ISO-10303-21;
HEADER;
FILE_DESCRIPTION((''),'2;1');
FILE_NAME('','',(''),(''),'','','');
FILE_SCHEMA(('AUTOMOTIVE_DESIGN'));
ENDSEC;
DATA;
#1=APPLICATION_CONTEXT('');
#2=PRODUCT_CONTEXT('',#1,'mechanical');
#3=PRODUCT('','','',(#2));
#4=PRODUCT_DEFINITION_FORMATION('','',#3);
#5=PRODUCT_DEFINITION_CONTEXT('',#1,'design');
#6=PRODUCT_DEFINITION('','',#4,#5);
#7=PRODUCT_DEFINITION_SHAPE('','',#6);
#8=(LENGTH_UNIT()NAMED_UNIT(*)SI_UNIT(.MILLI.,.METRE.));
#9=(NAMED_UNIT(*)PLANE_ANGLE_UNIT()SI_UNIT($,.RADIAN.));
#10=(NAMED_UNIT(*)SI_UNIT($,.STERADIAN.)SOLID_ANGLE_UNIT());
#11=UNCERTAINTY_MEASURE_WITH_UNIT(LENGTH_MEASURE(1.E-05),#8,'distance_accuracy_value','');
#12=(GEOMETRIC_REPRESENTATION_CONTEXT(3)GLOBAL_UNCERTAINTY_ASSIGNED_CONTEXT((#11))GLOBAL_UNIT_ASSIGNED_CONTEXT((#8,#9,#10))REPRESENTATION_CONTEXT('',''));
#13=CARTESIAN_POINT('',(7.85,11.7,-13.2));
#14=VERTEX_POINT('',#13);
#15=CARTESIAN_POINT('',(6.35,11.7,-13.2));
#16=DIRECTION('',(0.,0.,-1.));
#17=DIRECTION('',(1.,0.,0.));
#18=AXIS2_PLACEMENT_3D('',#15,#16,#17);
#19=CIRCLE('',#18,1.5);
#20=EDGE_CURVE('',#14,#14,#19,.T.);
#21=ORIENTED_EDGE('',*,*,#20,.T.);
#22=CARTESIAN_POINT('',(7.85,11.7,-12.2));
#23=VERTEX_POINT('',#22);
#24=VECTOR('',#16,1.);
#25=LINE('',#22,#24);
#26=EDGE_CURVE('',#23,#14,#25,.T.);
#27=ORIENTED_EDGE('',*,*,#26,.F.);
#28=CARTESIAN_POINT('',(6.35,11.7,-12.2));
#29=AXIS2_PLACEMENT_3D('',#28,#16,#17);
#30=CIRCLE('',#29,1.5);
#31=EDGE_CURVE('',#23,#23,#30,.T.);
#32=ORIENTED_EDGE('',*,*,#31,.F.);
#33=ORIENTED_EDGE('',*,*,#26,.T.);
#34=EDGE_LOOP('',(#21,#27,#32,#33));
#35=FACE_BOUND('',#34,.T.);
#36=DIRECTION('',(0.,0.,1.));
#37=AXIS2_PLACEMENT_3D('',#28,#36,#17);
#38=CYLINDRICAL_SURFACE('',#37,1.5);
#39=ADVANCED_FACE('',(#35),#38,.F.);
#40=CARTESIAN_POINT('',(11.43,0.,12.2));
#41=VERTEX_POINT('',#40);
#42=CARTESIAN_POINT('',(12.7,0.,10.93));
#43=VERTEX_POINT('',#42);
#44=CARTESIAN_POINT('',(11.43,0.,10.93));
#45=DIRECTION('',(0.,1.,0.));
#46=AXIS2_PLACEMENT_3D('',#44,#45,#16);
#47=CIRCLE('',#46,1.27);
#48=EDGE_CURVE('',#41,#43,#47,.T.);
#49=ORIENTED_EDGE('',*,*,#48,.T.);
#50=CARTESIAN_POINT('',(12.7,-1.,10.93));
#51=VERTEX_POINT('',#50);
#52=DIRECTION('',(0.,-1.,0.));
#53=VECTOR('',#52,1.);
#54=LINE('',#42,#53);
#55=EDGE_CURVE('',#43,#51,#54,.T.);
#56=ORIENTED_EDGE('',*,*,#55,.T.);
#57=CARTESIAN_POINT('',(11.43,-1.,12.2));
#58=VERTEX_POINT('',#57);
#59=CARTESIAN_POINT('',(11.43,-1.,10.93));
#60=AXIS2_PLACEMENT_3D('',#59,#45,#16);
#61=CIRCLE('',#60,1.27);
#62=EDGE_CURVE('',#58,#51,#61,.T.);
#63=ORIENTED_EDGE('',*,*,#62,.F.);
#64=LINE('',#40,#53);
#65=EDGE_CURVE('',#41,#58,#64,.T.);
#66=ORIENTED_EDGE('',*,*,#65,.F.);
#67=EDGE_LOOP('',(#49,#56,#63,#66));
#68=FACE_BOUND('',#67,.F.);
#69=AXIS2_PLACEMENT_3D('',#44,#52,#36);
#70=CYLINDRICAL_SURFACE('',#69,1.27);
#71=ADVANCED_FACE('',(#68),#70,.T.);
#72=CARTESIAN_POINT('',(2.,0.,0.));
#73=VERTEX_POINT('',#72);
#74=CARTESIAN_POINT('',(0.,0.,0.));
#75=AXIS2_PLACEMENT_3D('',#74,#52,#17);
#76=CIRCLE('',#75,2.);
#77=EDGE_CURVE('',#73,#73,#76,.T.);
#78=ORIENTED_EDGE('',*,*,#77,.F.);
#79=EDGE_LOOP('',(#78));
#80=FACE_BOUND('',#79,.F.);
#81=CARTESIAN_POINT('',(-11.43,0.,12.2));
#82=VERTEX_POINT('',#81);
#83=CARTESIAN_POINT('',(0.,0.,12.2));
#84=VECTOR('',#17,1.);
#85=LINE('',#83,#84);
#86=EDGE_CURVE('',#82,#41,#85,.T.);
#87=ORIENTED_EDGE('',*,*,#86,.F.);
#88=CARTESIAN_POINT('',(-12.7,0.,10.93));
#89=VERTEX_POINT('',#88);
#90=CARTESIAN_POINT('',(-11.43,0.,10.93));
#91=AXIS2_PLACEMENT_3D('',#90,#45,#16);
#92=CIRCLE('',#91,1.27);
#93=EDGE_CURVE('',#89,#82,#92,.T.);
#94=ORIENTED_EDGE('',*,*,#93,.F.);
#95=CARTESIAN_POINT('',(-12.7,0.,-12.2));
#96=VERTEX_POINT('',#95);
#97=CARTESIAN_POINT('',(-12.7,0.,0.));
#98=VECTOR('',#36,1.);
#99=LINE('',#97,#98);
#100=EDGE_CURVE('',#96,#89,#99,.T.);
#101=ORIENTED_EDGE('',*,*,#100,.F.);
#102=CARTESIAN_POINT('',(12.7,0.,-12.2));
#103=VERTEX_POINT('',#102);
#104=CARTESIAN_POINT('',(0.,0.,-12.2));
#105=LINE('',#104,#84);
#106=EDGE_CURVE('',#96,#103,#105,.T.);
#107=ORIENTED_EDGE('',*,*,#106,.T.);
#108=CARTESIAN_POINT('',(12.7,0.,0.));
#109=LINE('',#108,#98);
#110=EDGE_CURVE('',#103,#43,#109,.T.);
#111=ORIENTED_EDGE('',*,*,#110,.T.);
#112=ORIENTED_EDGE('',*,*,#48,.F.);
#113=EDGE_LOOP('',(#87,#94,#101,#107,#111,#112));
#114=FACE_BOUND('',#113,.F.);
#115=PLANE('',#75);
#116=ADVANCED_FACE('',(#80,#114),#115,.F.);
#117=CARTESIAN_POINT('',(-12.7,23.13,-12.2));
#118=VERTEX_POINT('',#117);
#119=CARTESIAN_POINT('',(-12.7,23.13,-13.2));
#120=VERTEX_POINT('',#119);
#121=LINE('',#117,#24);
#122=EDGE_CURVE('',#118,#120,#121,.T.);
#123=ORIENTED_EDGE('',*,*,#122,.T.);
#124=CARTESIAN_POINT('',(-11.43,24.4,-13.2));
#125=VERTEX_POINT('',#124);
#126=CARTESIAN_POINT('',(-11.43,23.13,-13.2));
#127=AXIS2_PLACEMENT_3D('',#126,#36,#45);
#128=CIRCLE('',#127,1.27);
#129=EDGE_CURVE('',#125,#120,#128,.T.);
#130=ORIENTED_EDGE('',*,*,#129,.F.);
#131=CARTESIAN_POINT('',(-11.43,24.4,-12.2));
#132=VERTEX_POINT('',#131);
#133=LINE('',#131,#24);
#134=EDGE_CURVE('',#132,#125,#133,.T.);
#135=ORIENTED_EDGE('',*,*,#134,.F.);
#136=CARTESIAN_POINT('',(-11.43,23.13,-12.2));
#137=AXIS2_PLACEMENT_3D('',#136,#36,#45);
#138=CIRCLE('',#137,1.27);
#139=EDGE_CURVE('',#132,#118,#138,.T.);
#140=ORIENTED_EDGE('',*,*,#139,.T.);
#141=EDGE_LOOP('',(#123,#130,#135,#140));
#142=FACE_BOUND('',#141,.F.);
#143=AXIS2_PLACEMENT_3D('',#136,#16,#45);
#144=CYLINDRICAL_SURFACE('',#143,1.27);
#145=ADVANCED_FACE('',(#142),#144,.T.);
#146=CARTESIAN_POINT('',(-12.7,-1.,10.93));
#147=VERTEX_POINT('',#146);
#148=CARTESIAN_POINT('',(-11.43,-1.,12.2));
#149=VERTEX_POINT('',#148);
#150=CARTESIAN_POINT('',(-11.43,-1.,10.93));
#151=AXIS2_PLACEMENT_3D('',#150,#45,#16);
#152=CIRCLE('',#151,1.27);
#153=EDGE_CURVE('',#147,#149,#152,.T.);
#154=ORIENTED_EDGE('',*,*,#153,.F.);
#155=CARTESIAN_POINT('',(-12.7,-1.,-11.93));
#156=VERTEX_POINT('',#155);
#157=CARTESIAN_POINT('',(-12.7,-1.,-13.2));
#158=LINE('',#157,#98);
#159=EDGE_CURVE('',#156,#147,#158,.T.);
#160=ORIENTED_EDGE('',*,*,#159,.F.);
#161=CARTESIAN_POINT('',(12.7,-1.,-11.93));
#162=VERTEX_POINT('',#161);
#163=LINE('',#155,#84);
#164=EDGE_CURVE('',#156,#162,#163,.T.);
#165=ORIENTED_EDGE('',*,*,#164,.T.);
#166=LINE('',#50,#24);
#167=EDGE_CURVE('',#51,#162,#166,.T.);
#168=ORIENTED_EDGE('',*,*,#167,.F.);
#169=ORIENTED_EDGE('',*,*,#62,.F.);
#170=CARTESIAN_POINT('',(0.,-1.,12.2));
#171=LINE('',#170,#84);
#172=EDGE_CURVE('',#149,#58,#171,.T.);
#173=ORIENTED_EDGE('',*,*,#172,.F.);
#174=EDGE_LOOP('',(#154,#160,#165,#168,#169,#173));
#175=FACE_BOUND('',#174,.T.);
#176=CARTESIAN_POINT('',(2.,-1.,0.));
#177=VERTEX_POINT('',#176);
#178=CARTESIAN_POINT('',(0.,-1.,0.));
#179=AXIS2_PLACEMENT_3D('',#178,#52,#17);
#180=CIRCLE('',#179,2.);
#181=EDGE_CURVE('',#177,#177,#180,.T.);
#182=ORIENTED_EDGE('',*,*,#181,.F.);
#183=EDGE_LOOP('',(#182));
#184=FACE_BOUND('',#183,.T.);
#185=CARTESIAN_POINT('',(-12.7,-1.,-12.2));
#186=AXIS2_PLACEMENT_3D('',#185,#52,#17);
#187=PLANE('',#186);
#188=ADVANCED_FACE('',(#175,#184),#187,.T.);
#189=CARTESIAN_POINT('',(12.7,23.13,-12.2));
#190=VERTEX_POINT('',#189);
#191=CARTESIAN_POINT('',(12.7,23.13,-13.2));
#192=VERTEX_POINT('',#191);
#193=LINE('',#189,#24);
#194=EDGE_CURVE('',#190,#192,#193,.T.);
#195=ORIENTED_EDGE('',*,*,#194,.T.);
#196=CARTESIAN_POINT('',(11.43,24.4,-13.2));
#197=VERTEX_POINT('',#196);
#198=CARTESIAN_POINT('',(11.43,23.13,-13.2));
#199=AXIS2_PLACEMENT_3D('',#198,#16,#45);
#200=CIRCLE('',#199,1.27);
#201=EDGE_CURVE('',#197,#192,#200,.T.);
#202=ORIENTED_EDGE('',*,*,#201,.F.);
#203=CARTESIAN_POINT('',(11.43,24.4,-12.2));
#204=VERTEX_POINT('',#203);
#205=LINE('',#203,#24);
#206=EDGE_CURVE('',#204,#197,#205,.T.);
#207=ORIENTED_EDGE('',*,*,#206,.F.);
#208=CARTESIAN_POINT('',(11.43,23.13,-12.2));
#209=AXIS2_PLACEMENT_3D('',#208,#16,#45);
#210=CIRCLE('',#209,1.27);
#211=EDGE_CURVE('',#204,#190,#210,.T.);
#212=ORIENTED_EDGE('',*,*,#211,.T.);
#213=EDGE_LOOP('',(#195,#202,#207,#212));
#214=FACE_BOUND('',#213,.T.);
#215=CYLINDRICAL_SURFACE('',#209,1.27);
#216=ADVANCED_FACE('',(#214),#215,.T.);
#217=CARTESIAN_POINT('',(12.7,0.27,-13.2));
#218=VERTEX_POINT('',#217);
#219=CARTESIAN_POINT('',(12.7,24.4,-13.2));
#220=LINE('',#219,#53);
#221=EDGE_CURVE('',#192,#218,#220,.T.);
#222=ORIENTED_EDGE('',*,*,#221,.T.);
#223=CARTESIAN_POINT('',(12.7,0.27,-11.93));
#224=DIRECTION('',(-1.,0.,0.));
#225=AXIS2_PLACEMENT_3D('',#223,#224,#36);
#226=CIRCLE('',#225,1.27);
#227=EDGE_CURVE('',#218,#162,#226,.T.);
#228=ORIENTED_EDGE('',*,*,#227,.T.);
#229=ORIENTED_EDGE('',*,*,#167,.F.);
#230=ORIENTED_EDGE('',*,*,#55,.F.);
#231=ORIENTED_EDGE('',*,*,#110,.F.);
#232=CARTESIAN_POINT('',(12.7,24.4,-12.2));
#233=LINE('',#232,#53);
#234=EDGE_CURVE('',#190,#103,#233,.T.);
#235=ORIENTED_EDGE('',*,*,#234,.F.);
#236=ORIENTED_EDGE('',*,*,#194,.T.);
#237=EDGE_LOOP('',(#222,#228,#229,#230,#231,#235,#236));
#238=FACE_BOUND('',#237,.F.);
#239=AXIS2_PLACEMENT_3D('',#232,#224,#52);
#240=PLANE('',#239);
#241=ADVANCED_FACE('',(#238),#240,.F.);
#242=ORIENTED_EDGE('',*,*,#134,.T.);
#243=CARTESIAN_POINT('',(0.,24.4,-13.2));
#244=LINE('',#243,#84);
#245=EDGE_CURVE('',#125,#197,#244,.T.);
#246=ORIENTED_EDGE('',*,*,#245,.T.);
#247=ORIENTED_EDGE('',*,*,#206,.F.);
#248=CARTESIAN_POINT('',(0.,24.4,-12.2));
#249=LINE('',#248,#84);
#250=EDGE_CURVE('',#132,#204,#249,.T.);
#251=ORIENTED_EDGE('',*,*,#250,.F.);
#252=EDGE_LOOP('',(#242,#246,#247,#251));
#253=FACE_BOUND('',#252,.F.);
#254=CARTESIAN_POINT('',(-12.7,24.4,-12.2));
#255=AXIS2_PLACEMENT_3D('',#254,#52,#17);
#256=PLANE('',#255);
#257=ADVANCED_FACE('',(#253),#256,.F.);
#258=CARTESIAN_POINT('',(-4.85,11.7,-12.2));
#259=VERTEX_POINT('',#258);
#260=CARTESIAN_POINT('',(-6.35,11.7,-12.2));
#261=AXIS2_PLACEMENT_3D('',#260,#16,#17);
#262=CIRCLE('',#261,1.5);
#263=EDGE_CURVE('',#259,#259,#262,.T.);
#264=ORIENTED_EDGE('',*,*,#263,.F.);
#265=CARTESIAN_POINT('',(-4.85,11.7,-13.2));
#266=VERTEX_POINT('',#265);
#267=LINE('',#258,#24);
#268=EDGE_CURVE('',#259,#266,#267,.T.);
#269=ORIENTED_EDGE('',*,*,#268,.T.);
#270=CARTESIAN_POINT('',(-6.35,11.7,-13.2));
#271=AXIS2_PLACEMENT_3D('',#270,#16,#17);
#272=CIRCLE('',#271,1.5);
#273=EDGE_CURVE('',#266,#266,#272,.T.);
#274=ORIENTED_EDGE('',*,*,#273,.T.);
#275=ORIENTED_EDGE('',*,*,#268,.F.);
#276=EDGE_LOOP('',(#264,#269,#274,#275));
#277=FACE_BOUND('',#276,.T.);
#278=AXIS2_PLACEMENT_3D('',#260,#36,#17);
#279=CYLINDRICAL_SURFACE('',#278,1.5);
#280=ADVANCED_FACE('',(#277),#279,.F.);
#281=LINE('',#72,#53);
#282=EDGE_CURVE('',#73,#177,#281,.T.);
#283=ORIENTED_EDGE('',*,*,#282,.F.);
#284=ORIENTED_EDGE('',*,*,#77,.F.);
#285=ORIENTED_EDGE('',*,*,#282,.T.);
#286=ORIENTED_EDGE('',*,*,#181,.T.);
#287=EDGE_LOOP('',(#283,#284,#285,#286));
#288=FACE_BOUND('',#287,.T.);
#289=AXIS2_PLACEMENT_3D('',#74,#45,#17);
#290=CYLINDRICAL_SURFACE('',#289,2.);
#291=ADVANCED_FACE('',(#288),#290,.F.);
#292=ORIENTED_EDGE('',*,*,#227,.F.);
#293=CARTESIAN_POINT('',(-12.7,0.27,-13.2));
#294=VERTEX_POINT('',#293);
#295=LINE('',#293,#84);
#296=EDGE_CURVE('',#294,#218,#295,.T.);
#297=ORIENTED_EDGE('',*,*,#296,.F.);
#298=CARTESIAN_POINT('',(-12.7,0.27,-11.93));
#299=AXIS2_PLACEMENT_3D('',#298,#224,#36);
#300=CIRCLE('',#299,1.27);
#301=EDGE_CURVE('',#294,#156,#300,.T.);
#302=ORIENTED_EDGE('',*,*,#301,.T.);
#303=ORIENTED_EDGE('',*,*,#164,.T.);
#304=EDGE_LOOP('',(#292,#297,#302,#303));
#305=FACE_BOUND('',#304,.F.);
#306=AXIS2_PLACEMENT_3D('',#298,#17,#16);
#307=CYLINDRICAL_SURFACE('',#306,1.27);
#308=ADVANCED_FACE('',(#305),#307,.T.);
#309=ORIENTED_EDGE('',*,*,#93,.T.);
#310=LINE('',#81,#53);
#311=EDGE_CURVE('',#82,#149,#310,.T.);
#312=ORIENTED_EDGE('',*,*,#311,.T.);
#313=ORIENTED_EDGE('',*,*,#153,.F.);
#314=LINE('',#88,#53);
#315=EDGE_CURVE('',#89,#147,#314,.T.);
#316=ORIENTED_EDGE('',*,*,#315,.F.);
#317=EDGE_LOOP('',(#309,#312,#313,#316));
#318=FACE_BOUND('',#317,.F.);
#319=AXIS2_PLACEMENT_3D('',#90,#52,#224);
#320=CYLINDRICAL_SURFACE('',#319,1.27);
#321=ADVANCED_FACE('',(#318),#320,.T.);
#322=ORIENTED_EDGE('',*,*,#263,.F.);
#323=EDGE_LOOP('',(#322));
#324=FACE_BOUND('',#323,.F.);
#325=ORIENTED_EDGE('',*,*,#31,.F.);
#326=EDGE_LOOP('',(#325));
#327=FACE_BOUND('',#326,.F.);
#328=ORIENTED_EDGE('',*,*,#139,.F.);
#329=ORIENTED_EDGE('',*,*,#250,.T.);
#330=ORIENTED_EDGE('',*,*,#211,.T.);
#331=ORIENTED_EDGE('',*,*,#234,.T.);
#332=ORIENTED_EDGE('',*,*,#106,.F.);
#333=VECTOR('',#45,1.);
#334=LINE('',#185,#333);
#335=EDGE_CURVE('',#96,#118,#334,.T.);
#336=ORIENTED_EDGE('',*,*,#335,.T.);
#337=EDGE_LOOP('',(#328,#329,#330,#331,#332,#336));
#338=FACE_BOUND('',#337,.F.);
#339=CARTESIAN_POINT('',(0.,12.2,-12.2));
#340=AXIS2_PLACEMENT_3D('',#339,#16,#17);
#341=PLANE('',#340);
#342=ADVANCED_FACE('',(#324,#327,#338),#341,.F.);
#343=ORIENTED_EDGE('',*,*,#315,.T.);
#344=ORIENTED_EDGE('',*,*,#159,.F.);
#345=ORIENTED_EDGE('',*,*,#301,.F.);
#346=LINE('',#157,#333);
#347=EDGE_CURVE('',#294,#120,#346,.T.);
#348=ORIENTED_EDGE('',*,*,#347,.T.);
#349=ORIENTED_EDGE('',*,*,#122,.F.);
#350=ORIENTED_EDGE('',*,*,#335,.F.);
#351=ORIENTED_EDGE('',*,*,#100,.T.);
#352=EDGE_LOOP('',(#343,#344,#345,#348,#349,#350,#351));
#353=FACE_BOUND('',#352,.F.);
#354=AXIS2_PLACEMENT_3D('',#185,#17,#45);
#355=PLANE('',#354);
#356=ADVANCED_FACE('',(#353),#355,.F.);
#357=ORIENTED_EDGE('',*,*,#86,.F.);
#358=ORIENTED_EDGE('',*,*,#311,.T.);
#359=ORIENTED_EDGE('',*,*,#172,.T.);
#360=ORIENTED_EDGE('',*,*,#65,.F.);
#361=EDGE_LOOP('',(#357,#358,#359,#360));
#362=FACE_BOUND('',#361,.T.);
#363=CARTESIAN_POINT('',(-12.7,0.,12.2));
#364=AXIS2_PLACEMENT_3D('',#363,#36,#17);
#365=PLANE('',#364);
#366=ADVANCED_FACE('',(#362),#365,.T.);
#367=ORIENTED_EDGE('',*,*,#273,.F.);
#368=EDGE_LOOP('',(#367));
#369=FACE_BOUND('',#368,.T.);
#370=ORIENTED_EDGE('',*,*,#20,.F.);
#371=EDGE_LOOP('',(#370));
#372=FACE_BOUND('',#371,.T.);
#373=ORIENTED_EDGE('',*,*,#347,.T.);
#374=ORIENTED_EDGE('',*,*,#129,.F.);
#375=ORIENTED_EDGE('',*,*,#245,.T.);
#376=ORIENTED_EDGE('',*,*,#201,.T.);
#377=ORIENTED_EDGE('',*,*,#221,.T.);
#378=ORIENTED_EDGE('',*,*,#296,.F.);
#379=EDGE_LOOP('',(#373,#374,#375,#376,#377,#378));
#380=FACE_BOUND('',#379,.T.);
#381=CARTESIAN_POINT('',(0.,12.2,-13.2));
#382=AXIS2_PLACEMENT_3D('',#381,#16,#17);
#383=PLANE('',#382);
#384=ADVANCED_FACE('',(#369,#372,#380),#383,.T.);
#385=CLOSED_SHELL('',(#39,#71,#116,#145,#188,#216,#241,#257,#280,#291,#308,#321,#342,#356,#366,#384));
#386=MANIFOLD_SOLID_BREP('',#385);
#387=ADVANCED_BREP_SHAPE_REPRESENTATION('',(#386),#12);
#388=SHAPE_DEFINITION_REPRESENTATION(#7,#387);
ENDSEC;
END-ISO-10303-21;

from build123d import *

# Parameters (mm, degrees)
F0_W     = 25.4
F0_H     = 24.4
F0_R     = 2
F1_DEPTH = 1
F2_R     = 1.27
F3_W     = 25.4
F3_H     = 24.4
F3_R     = 1.5
F3_H_2   = 1
F4_DEPTH = 1
F5_R     = 1.27


with BuildPart() as f1:
    # F0 (on Front) → F1 (new body)
    with BuildSketch(Plane.XZ):
        Rectangle(F0_W, F0_H)
        Circle(F0_R, mode=Mode.SUBTRACT)
    extrude(amount=F1_DEPTH)

    # F2
    f2_edges = [f1.edges().sort_by_distance(p)[0] for p in [
        (12.7, -0.5, 12.2),
        (-12.7, -0.5, 12.2),
    ]]
    fillet(f2_edges, radius=F2_R)

    # F3 (on face) → F4 (join)
    with BuildSketch(Plane(origin=(0, 0, -12.2), x_dir=(1, 0, 0), z_dir=(0, 0, -1))):
        with Locations((0, -12.2)):
            Rectangle(F3_W, F3_H)
        with Locations((-6.35, -11.7)):
            Circle(F3_R, mode=Mode.SUBTRACT)
        with Locations((6.35, -11.7)):
            Circle(F3_R, mode=Mode.SUBTRACT)
        with Locations((0, 0.5)):
            Rectangle(F3_W, F3_H_2)
    extrude(amount=F4_DEPTH)

    # F5
    f5_edges = [f1.edges().sort_by_distance(p)[0] for p in [
        (0, -1, -13.2),
        (-12.7, 24.4, -12.7),
        (12.7, 24.4, -12.7),
    ]]
    fillet(f5_edges, radius=F5_R)


solid = f1.part
